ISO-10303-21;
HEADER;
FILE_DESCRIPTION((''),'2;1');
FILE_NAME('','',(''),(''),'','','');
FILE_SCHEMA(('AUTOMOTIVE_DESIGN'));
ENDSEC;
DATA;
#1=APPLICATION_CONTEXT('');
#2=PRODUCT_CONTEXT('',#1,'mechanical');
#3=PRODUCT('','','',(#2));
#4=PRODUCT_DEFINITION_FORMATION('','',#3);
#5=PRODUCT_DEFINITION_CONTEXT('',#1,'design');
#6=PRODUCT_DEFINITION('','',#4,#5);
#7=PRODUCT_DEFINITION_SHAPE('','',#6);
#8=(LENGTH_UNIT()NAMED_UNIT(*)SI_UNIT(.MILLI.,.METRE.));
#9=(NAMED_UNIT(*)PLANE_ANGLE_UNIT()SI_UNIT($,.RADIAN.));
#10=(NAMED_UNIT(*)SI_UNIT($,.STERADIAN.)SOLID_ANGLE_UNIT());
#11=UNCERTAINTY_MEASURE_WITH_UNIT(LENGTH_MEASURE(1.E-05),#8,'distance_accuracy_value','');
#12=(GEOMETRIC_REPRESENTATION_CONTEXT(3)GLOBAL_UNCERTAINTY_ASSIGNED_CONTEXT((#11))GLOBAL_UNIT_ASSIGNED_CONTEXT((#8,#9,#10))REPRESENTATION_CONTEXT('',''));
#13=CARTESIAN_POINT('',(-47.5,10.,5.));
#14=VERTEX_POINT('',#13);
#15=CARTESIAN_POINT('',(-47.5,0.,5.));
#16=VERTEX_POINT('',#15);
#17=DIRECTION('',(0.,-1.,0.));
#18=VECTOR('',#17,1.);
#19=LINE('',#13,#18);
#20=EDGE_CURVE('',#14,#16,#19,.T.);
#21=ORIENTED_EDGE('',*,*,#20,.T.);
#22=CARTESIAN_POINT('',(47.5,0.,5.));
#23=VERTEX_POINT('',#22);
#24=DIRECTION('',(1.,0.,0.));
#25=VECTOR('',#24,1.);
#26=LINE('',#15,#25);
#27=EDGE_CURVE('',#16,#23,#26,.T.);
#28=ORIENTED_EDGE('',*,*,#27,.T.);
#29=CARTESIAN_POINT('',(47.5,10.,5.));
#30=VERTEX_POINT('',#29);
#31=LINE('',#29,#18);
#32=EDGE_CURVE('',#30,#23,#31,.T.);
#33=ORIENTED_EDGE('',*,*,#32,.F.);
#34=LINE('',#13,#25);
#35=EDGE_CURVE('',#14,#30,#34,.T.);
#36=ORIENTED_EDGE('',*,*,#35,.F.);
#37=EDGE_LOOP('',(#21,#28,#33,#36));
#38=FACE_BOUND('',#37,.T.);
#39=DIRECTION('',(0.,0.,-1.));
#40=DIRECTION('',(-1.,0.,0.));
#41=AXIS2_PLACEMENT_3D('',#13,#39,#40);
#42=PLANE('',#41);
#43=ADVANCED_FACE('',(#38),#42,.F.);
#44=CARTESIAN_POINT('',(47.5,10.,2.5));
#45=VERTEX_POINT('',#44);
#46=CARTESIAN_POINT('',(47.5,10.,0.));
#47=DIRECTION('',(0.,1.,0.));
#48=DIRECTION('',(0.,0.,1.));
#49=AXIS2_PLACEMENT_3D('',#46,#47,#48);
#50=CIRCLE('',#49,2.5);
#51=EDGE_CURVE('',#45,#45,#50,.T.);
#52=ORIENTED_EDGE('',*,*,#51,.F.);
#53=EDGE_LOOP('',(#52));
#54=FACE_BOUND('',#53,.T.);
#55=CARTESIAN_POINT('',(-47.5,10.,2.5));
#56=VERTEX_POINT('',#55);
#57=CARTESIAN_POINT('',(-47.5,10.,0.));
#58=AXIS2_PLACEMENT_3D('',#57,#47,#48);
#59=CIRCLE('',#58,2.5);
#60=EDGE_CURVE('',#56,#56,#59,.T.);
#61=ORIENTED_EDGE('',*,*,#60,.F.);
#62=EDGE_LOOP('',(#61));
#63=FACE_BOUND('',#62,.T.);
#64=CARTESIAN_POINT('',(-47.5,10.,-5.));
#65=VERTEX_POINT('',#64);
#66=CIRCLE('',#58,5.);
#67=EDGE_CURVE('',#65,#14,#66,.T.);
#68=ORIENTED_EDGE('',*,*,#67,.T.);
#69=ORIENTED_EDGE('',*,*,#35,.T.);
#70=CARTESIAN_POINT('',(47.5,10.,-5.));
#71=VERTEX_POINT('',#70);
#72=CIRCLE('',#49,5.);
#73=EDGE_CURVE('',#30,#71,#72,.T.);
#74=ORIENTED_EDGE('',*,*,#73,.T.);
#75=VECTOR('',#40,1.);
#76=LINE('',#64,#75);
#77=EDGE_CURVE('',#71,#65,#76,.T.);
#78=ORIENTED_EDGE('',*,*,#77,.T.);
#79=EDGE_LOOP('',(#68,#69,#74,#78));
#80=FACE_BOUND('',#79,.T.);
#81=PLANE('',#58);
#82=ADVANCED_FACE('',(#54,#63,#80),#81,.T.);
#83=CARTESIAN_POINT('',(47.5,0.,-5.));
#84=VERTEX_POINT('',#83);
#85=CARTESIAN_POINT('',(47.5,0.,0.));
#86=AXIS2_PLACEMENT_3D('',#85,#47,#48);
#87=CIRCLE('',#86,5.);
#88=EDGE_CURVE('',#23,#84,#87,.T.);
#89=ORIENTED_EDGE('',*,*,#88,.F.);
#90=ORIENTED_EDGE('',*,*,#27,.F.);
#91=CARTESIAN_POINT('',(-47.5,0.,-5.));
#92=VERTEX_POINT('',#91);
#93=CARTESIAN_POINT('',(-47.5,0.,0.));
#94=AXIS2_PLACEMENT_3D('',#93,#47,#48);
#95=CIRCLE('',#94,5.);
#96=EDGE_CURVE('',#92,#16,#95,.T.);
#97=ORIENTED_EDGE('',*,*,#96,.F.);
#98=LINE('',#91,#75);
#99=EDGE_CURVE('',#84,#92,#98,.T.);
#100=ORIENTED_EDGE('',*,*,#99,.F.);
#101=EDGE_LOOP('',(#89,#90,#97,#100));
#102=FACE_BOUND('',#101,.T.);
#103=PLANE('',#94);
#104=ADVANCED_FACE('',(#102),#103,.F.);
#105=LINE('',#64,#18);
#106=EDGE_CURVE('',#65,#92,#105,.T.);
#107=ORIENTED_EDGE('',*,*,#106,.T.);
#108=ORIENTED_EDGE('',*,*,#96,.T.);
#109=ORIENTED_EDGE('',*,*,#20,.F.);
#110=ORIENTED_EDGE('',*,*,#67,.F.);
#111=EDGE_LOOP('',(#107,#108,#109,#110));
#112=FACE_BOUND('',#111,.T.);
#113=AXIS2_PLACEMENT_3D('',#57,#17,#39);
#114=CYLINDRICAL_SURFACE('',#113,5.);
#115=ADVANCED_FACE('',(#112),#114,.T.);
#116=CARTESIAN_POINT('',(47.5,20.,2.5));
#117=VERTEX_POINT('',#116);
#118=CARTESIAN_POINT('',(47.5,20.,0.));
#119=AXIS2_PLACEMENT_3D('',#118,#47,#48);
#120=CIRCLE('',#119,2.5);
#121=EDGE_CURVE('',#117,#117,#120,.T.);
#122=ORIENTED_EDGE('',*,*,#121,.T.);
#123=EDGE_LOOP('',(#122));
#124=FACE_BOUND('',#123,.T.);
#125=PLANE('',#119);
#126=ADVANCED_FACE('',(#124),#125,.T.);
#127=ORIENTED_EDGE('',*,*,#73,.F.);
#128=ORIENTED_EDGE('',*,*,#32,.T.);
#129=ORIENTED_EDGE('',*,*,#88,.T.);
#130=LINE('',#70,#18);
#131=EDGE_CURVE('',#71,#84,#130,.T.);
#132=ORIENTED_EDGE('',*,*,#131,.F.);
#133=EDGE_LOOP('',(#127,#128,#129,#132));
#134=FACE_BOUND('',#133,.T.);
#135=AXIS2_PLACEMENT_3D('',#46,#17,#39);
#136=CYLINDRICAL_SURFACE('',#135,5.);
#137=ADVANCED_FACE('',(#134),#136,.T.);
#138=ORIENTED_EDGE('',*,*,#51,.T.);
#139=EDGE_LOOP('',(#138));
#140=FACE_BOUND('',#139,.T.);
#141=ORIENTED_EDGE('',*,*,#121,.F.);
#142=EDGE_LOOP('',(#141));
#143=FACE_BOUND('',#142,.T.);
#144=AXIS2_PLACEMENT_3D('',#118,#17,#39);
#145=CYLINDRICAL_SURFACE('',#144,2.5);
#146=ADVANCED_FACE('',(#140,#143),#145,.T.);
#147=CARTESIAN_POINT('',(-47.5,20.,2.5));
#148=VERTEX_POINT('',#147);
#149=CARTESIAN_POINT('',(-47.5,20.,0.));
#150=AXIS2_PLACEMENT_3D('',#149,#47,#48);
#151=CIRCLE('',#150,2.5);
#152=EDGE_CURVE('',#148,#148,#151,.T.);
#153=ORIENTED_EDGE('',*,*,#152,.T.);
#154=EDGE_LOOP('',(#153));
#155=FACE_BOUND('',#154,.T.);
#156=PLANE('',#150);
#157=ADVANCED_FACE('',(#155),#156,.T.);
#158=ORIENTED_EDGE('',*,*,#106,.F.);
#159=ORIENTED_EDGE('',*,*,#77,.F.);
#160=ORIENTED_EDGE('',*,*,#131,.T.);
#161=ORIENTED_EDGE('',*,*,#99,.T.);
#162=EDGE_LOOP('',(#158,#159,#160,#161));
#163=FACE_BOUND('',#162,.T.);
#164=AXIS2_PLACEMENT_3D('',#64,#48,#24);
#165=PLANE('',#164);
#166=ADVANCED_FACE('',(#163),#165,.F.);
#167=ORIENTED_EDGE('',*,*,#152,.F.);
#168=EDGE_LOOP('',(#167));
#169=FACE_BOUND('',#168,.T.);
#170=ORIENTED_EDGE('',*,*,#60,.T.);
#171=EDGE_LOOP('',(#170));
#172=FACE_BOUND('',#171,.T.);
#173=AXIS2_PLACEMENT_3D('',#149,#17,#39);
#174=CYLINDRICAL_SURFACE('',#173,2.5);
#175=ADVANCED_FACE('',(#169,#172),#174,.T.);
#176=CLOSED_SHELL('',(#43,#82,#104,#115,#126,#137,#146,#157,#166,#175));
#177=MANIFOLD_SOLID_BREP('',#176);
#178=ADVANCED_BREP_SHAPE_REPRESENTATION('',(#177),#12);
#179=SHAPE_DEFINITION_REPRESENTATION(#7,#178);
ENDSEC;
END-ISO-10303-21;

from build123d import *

# Parameters (mm, degrees)
BOSS_EXTRUDE1_DEPTH = 10
SKETCH2_R           = 2.5
BOSS_EXTRUDE2_DEPTH = 10


with BuildPart() as part:
    # Sketch1 → Boss-Extrude1 (new body)
    with BuildSketch(Plane(origin=(0, 0, 0), x_dir=(1, 0, 0), z_dir=(0, 1, 0))):
        with BuildLine():
            Line((-47.5, 5), (47.5, 5))
            ThreePointArc((47.5, 5), (52.5, 0), (47.5, -5))
            Line((47.5, -5), (-47.5, -5))
            ThreePointArc((-47.5, -5), (-52.5, 0), (-47.5, 5))
        make_face()
    extrude(amount=BOSS_EXTRUDE1_DEPTH)

    # Sketch2 → Boss-Extrude2 (add)
    with BuildSketch(Plane(origin=(0, 10, 0), x_dir=(1, 0, 0), z_dir=(0, 1, 0))):
        with Locations(Location((-47.5, 0, 0), (0, 0, 270))):
            Circle(SKETCH2_R)
        with Locations(Location((47.5, 0, 0), (0, 0, 270))):
            Circle(SKETCH2_R)
    extrude(amount=BOSS_EXTRUDE2_DEPTH)


solid = part.part
